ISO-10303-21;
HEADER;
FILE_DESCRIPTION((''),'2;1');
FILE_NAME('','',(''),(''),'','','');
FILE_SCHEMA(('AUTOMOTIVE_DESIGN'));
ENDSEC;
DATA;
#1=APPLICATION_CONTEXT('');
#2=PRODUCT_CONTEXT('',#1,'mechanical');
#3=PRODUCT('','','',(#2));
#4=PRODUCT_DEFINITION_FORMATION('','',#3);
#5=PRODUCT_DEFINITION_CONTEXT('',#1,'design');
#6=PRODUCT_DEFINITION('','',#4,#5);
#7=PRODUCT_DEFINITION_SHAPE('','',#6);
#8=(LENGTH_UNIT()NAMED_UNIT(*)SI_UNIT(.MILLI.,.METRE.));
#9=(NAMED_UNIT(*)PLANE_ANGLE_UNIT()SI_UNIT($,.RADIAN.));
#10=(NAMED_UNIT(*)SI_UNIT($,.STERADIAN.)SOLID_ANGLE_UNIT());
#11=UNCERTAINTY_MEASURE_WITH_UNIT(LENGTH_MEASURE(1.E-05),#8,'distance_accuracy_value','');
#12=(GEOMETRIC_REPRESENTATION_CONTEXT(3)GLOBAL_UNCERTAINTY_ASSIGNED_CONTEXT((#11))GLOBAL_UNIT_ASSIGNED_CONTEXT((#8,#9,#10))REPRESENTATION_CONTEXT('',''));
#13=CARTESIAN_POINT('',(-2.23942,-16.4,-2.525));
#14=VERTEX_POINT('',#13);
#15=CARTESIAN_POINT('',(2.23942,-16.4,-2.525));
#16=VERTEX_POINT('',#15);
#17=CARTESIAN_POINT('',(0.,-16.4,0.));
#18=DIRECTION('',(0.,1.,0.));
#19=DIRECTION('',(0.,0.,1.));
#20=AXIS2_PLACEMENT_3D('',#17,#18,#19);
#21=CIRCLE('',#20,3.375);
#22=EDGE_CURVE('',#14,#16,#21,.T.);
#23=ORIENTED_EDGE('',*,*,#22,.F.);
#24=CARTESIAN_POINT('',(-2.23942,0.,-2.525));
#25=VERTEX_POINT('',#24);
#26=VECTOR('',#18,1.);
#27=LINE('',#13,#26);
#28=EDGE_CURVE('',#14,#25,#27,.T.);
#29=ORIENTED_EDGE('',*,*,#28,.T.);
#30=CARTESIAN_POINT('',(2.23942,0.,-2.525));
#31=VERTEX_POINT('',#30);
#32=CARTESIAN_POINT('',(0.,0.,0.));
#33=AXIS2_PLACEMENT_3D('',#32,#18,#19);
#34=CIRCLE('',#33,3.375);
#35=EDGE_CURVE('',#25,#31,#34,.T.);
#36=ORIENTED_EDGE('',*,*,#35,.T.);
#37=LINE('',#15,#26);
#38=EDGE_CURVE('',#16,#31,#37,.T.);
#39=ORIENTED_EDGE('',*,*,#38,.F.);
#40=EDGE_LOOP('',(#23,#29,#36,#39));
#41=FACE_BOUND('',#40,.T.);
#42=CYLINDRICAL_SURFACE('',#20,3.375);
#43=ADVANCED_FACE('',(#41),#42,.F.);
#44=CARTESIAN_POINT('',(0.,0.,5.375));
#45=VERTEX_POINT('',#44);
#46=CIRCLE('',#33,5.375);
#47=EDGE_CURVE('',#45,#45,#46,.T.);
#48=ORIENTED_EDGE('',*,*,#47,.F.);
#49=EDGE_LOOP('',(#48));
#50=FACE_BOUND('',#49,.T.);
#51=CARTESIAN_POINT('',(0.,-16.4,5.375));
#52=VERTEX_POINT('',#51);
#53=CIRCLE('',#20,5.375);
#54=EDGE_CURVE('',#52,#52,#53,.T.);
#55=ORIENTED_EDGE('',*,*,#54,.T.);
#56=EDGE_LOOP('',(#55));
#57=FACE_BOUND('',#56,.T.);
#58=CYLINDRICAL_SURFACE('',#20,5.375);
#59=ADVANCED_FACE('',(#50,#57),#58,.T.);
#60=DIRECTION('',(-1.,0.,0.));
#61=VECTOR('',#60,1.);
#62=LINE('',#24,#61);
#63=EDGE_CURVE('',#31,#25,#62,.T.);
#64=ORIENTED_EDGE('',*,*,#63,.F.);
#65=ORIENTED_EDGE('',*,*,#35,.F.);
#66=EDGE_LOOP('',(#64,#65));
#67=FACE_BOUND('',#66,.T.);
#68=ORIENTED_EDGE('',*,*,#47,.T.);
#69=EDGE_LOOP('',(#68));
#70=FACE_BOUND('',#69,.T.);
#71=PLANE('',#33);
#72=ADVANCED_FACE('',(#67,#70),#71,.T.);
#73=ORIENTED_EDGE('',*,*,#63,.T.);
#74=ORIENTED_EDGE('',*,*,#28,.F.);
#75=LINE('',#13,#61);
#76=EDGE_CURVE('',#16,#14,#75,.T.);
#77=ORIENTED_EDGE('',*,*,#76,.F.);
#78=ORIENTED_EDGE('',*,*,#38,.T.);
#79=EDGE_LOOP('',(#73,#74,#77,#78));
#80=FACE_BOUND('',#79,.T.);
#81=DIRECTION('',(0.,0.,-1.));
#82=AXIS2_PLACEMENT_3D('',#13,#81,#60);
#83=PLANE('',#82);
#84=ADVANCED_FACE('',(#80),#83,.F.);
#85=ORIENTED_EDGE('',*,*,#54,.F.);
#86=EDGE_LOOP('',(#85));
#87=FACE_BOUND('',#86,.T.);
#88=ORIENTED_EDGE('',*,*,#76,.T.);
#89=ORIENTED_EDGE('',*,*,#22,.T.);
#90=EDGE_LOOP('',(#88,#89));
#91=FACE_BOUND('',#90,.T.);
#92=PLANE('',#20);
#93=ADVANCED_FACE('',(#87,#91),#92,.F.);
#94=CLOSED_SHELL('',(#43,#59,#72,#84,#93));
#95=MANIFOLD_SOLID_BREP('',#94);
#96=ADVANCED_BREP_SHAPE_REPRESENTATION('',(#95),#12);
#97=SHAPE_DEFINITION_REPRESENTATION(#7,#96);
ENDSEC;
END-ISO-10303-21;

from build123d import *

# Parameters (mm, degrees)
SKETCH1_R           = 5.375
BOSS_EXTRUDE1_DEPTH = 16.4
CUT_EXTRUDE1_DEPTH  = 19.07598545


with BuildPart() as part:
    # Sketch1 → Boss-Extrude1 (new body)
    with BuildSketch(Plane(origin=(0, 0, 0), x_dir=(1, 0, 0), z_dir=(0, 1, 0))):
        Circle(SKETCH1_R)
    extrude(amount=-BOSS_EXTRUDE1_DEPTH)

    # Sketch3 → Cut-Extrude1 (cut, through all)
    with BuildSketch(Plane(origin=(0, 0, 0), x_dir=(1, 0, 0), z_dir=(0, 1, 0))):
        with BuildLine():
            Line((-2.239419568, 2.525), (2.239419568, 2.525))
            ThreePointArc((2.239419568, 2.525), (0, -3.375), (-2.239419568, 2.525))
        make_face()
    extrude(amount=-CUT_EXTRUDE1_DEPTH, mode=Mode.SUBTRACT)


solid = part.part
